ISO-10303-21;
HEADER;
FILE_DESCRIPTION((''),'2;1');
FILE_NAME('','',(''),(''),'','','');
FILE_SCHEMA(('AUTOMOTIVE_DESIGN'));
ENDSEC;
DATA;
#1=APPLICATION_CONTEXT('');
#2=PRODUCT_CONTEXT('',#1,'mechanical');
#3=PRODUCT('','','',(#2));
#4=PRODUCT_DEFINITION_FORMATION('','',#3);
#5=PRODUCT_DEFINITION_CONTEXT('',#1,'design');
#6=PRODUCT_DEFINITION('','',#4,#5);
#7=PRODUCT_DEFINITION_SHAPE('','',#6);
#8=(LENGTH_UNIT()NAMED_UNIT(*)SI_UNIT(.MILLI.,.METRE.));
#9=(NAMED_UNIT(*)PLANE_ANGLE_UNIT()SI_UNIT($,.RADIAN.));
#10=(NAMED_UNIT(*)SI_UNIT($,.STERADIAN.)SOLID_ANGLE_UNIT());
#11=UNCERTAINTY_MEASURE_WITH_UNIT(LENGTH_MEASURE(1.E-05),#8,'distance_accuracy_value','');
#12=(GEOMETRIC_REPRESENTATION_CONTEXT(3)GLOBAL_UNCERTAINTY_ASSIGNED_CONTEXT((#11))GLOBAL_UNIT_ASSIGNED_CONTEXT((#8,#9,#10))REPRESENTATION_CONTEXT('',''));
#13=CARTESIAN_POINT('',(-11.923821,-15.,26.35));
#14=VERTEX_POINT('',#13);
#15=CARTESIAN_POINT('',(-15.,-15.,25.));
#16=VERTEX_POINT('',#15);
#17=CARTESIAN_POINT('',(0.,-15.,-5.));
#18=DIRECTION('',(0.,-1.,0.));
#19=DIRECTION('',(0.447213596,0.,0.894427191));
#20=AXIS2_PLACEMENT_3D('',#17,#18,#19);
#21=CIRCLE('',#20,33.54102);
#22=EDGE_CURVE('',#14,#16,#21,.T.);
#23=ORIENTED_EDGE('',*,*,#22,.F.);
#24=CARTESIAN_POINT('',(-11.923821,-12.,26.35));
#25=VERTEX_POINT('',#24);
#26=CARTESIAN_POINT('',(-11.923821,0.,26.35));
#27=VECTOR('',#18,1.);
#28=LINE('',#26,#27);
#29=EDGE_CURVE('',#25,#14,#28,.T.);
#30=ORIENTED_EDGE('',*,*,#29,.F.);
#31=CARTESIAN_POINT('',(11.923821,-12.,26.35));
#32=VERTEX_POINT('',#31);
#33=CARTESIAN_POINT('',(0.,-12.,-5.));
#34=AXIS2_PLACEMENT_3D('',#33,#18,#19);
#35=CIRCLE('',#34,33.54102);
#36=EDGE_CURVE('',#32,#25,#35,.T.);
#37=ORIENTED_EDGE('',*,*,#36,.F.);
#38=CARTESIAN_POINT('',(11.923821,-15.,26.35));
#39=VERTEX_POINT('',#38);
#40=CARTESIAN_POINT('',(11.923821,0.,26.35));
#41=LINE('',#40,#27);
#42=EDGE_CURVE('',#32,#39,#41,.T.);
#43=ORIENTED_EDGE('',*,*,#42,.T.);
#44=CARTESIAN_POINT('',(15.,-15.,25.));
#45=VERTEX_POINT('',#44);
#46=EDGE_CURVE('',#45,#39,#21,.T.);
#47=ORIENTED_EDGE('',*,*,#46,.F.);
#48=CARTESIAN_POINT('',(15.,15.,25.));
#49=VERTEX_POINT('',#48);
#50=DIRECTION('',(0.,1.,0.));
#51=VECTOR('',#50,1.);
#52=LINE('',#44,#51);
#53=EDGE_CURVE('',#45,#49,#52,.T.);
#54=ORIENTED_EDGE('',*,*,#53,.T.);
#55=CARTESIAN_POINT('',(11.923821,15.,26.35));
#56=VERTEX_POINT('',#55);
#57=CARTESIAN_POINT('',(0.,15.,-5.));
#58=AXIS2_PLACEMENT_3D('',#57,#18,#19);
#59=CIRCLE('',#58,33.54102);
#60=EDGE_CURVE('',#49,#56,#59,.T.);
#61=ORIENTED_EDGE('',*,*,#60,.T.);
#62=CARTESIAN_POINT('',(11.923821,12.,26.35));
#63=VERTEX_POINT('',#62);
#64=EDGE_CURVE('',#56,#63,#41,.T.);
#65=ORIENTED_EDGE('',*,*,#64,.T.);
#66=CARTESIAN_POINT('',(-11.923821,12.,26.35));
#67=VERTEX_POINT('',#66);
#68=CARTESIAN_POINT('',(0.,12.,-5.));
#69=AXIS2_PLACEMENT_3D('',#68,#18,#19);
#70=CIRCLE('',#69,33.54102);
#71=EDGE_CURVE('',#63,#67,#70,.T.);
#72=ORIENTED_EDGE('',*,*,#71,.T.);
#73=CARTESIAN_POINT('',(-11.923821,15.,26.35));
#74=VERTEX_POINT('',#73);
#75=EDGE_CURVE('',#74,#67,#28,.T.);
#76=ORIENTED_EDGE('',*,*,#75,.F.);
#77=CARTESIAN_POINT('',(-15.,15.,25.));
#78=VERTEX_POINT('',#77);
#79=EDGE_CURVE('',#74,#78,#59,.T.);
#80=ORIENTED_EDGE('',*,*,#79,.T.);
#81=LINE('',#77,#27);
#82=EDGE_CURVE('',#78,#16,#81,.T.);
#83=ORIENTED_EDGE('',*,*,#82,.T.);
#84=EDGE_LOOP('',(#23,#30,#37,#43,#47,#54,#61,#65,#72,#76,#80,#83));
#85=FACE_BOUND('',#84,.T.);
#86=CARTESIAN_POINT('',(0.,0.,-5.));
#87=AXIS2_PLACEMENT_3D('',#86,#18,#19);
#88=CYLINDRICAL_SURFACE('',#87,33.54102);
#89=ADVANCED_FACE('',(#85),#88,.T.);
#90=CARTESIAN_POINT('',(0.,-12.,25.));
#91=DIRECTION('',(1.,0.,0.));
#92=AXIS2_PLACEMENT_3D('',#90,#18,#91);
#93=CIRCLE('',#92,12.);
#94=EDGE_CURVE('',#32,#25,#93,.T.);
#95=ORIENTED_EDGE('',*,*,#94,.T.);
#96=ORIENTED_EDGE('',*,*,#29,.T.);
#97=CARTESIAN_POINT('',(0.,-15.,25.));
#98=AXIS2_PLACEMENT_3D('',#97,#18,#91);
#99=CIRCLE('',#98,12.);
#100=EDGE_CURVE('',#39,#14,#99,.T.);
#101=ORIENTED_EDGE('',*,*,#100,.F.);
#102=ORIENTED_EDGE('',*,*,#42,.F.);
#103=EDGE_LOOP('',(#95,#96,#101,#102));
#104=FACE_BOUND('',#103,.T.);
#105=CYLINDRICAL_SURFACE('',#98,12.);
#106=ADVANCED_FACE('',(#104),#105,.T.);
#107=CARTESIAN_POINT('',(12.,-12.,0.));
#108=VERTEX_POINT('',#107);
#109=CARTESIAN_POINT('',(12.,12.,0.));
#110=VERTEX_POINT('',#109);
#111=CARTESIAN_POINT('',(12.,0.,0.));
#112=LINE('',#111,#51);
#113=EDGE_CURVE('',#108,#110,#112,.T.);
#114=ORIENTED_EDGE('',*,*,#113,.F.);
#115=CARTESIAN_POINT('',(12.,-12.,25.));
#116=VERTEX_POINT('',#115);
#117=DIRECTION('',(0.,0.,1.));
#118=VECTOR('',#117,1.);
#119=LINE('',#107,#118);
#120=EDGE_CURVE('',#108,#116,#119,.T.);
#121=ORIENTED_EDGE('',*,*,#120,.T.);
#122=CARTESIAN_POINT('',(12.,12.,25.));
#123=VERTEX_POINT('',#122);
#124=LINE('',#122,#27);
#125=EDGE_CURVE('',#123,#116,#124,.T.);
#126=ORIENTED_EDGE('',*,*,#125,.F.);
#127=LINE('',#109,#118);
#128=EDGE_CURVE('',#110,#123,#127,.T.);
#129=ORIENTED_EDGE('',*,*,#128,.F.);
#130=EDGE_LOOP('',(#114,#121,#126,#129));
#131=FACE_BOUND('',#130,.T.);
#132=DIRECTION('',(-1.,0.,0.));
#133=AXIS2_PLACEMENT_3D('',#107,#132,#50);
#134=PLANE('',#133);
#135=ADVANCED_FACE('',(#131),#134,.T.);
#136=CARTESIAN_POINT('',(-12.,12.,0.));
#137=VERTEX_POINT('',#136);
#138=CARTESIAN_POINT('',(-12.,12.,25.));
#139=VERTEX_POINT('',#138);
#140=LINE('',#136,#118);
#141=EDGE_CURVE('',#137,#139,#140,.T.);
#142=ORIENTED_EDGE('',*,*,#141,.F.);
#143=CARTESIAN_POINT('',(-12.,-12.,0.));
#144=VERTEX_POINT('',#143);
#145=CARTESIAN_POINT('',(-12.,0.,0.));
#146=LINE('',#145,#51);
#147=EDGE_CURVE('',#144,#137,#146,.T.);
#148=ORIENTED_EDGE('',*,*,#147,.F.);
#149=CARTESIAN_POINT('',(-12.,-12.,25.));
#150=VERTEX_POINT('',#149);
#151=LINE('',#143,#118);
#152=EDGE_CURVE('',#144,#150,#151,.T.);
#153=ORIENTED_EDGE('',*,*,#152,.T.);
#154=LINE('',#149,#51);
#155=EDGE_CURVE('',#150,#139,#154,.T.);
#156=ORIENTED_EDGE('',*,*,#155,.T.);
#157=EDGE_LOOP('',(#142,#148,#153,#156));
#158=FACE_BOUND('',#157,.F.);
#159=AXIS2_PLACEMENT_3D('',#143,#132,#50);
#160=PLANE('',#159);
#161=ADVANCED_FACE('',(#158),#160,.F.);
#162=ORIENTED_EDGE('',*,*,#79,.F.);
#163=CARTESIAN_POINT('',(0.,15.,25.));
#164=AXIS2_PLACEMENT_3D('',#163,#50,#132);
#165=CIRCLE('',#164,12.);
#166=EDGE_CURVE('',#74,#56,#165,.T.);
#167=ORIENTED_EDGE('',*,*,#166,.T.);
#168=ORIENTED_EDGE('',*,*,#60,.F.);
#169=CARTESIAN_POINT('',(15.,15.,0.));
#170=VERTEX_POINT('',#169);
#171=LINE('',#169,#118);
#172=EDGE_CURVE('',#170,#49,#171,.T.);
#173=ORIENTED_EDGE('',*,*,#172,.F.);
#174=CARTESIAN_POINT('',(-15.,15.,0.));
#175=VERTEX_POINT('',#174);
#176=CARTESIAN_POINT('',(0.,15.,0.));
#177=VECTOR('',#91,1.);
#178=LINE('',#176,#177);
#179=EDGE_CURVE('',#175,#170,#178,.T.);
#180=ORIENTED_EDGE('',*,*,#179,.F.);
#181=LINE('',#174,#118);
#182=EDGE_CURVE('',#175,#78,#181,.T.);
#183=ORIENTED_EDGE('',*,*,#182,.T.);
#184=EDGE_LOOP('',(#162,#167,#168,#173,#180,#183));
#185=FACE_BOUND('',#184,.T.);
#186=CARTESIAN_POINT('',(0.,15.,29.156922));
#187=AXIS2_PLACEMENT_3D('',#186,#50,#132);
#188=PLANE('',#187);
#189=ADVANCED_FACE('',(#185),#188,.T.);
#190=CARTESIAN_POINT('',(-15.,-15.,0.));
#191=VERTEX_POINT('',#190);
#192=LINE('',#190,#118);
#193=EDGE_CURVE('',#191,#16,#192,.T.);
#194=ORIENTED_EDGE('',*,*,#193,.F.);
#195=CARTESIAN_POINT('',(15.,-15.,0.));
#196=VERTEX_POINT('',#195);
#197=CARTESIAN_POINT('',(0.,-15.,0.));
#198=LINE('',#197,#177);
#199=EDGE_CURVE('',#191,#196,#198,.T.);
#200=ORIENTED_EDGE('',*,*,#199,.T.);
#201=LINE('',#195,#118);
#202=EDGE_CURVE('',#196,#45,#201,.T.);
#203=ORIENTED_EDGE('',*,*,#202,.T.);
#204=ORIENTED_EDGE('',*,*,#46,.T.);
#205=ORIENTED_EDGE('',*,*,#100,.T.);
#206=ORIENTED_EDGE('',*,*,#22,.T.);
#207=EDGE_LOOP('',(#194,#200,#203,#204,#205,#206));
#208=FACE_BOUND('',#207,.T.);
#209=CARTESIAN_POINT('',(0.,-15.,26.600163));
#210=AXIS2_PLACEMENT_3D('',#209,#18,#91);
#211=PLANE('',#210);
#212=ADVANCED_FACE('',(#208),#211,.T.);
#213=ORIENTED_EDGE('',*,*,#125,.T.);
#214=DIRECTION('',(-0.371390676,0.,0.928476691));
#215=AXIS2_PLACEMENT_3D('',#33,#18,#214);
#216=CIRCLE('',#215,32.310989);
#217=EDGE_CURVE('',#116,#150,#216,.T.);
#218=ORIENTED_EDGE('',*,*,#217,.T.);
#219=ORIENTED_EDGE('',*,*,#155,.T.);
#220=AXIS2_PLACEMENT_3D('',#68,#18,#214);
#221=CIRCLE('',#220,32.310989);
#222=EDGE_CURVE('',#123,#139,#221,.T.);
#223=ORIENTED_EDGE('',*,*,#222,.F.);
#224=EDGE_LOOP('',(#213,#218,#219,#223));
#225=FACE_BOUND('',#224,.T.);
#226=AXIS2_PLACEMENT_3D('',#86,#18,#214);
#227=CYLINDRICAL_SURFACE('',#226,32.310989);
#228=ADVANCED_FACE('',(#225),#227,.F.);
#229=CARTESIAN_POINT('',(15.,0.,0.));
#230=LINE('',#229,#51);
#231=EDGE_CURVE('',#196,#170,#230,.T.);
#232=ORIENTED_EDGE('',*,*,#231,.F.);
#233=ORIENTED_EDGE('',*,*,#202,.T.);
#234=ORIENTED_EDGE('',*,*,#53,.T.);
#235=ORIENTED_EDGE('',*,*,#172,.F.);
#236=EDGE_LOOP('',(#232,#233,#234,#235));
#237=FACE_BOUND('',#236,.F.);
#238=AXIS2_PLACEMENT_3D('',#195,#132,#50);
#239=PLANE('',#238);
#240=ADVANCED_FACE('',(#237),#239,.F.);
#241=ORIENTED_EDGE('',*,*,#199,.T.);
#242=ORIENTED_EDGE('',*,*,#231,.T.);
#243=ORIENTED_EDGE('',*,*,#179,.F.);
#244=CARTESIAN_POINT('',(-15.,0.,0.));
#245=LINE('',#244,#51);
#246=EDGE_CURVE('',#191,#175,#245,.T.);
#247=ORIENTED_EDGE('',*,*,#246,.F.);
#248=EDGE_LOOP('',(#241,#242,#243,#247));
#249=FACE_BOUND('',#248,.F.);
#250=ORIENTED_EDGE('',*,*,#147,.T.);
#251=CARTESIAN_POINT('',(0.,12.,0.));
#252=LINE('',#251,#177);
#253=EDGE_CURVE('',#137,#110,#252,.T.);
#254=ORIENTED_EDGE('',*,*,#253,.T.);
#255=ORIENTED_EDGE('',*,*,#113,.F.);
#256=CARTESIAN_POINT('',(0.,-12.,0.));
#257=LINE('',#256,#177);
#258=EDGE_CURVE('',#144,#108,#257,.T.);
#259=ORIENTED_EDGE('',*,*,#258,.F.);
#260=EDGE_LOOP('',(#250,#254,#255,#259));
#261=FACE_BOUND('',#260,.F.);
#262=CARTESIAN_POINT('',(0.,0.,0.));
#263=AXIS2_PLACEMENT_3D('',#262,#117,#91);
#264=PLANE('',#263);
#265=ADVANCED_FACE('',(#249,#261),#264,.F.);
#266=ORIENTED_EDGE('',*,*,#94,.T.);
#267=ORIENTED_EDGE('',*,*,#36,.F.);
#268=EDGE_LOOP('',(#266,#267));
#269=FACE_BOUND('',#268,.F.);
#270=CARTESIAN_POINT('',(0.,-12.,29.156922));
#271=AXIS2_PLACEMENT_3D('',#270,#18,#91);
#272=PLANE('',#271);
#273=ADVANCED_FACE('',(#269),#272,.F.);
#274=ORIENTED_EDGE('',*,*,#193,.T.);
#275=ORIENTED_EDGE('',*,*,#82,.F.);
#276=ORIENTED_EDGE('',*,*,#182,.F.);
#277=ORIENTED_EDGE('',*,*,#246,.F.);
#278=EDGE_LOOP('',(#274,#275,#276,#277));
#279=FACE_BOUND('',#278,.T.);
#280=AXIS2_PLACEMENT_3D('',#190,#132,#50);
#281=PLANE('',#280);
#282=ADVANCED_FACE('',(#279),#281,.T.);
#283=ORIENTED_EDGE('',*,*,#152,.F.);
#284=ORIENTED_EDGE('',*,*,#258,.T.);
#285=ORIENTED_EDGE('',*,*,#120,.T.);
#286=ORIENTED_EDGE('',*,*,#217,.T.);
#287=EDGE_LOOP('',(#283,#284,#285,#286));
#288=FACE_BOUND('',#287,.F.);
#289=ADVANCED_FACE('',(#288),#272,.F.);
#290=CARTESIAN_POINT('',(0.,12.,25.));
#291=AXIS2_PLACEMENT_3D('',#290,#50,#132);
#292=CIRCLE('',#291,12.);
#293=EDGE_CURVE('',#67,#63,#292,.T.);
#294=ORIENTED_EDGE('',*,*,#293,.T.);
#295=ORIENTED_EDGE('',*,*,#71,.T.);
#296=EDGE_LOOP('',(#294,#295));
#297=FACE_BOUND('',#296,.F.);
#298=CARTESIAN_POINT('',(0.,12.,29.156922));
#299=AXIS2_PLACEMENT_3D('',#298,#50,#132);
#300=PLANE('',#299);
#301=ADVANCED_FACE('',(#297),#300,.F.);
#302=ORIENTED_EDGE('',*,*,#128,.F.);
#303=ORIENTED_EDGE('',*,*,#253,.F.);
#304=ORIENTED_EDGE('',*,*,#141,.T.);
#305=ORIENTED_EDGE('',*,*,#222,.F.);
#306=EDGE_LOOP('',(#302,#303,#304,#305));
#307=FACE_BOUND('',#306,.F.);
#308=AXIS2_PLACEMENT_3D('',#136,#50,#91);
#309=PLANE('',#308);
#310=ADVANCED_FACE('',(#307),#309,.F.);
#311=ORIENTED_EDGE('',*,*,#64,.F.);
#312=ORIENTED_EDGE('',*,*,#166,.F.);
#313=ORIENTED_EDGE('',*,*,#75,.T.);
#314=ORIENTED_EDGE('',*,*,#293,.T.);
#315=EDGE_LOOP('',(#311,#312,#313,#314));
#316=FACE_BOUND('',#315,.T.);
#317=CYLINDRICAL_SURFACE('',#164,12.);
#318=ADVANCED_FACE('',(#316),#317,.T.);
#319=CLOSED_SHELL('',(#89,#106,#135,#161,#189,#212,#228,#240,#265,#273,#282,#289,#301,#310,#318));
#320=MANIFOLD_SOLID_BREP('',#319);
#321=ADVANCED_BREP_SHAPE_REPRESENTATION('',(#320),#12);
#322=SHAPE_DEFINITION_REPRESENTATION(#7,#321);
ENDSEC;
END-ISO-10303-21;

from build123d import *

# Parameters (mm, degrees)
F0_W          = 30
F0_H          = 30
F0_W_2        = 24
F0_H_2        = 24
F1_DEPTH      = 25
F3_DEPTH      = 15
F3_DEPTH_BACK = 15
F5_DEPTH      = 3
F7_DEPTH      = 3


with BuildPart() as f1:
    # F0 (on Top) → F1 (new body)
    with BuildSketch(Plane.XY):
        Rectangle(F0_W, F0_H)
        Rectangle(F0_W_2, F0_H_2, mode=Mode.SUBTRACT)
    extrude(amount=F1_DEPTH)

    # F2 (on Front) → F3 (join, two sides)
    with BuildSketch(Plane.XZ) as f3_sk:
        with BuildLine():
            Line((12, 25), (15, 25))
            ThreePointArc((15, 25), (0, 28.5410196625), (-15, 25))
            Line((-15, 25), (-12, 25))
            ThreePointArc((-12, 25), (0, 27.3109888428), (12, 25))
        make_face()
    extrude(amount=F3_DEPTH)
    extrude(f3_sk.sketch, amount=-F3_DEPTH_BACK)

    # F4 (on face) → F5 (join, through all)
    with BuildSketch(Plane(origin=(0, 15, 0), x_dir=(-1, 0, 0), z_dir=(0, 1, 0))):
        with BuildLine():
            Line((-12, 25), (12, 25))
            ThreePointArc((12, 25), (0, 37), (-12, 25))
        make_face()
    extrude(amount=-F5_DEPTH)

    # F6 (on face) → F7 (join, through all)
    with BuildSketch(Plane.XZ.offset(15)):
        with BuildLine():
            Line((-12, 25), (12, 25))
            ThreePointArc((12, 25), (0, 37), (-12, 25))
        make_face()
    extrude(amount=-F7_DEPTH)


solid = f1.part
